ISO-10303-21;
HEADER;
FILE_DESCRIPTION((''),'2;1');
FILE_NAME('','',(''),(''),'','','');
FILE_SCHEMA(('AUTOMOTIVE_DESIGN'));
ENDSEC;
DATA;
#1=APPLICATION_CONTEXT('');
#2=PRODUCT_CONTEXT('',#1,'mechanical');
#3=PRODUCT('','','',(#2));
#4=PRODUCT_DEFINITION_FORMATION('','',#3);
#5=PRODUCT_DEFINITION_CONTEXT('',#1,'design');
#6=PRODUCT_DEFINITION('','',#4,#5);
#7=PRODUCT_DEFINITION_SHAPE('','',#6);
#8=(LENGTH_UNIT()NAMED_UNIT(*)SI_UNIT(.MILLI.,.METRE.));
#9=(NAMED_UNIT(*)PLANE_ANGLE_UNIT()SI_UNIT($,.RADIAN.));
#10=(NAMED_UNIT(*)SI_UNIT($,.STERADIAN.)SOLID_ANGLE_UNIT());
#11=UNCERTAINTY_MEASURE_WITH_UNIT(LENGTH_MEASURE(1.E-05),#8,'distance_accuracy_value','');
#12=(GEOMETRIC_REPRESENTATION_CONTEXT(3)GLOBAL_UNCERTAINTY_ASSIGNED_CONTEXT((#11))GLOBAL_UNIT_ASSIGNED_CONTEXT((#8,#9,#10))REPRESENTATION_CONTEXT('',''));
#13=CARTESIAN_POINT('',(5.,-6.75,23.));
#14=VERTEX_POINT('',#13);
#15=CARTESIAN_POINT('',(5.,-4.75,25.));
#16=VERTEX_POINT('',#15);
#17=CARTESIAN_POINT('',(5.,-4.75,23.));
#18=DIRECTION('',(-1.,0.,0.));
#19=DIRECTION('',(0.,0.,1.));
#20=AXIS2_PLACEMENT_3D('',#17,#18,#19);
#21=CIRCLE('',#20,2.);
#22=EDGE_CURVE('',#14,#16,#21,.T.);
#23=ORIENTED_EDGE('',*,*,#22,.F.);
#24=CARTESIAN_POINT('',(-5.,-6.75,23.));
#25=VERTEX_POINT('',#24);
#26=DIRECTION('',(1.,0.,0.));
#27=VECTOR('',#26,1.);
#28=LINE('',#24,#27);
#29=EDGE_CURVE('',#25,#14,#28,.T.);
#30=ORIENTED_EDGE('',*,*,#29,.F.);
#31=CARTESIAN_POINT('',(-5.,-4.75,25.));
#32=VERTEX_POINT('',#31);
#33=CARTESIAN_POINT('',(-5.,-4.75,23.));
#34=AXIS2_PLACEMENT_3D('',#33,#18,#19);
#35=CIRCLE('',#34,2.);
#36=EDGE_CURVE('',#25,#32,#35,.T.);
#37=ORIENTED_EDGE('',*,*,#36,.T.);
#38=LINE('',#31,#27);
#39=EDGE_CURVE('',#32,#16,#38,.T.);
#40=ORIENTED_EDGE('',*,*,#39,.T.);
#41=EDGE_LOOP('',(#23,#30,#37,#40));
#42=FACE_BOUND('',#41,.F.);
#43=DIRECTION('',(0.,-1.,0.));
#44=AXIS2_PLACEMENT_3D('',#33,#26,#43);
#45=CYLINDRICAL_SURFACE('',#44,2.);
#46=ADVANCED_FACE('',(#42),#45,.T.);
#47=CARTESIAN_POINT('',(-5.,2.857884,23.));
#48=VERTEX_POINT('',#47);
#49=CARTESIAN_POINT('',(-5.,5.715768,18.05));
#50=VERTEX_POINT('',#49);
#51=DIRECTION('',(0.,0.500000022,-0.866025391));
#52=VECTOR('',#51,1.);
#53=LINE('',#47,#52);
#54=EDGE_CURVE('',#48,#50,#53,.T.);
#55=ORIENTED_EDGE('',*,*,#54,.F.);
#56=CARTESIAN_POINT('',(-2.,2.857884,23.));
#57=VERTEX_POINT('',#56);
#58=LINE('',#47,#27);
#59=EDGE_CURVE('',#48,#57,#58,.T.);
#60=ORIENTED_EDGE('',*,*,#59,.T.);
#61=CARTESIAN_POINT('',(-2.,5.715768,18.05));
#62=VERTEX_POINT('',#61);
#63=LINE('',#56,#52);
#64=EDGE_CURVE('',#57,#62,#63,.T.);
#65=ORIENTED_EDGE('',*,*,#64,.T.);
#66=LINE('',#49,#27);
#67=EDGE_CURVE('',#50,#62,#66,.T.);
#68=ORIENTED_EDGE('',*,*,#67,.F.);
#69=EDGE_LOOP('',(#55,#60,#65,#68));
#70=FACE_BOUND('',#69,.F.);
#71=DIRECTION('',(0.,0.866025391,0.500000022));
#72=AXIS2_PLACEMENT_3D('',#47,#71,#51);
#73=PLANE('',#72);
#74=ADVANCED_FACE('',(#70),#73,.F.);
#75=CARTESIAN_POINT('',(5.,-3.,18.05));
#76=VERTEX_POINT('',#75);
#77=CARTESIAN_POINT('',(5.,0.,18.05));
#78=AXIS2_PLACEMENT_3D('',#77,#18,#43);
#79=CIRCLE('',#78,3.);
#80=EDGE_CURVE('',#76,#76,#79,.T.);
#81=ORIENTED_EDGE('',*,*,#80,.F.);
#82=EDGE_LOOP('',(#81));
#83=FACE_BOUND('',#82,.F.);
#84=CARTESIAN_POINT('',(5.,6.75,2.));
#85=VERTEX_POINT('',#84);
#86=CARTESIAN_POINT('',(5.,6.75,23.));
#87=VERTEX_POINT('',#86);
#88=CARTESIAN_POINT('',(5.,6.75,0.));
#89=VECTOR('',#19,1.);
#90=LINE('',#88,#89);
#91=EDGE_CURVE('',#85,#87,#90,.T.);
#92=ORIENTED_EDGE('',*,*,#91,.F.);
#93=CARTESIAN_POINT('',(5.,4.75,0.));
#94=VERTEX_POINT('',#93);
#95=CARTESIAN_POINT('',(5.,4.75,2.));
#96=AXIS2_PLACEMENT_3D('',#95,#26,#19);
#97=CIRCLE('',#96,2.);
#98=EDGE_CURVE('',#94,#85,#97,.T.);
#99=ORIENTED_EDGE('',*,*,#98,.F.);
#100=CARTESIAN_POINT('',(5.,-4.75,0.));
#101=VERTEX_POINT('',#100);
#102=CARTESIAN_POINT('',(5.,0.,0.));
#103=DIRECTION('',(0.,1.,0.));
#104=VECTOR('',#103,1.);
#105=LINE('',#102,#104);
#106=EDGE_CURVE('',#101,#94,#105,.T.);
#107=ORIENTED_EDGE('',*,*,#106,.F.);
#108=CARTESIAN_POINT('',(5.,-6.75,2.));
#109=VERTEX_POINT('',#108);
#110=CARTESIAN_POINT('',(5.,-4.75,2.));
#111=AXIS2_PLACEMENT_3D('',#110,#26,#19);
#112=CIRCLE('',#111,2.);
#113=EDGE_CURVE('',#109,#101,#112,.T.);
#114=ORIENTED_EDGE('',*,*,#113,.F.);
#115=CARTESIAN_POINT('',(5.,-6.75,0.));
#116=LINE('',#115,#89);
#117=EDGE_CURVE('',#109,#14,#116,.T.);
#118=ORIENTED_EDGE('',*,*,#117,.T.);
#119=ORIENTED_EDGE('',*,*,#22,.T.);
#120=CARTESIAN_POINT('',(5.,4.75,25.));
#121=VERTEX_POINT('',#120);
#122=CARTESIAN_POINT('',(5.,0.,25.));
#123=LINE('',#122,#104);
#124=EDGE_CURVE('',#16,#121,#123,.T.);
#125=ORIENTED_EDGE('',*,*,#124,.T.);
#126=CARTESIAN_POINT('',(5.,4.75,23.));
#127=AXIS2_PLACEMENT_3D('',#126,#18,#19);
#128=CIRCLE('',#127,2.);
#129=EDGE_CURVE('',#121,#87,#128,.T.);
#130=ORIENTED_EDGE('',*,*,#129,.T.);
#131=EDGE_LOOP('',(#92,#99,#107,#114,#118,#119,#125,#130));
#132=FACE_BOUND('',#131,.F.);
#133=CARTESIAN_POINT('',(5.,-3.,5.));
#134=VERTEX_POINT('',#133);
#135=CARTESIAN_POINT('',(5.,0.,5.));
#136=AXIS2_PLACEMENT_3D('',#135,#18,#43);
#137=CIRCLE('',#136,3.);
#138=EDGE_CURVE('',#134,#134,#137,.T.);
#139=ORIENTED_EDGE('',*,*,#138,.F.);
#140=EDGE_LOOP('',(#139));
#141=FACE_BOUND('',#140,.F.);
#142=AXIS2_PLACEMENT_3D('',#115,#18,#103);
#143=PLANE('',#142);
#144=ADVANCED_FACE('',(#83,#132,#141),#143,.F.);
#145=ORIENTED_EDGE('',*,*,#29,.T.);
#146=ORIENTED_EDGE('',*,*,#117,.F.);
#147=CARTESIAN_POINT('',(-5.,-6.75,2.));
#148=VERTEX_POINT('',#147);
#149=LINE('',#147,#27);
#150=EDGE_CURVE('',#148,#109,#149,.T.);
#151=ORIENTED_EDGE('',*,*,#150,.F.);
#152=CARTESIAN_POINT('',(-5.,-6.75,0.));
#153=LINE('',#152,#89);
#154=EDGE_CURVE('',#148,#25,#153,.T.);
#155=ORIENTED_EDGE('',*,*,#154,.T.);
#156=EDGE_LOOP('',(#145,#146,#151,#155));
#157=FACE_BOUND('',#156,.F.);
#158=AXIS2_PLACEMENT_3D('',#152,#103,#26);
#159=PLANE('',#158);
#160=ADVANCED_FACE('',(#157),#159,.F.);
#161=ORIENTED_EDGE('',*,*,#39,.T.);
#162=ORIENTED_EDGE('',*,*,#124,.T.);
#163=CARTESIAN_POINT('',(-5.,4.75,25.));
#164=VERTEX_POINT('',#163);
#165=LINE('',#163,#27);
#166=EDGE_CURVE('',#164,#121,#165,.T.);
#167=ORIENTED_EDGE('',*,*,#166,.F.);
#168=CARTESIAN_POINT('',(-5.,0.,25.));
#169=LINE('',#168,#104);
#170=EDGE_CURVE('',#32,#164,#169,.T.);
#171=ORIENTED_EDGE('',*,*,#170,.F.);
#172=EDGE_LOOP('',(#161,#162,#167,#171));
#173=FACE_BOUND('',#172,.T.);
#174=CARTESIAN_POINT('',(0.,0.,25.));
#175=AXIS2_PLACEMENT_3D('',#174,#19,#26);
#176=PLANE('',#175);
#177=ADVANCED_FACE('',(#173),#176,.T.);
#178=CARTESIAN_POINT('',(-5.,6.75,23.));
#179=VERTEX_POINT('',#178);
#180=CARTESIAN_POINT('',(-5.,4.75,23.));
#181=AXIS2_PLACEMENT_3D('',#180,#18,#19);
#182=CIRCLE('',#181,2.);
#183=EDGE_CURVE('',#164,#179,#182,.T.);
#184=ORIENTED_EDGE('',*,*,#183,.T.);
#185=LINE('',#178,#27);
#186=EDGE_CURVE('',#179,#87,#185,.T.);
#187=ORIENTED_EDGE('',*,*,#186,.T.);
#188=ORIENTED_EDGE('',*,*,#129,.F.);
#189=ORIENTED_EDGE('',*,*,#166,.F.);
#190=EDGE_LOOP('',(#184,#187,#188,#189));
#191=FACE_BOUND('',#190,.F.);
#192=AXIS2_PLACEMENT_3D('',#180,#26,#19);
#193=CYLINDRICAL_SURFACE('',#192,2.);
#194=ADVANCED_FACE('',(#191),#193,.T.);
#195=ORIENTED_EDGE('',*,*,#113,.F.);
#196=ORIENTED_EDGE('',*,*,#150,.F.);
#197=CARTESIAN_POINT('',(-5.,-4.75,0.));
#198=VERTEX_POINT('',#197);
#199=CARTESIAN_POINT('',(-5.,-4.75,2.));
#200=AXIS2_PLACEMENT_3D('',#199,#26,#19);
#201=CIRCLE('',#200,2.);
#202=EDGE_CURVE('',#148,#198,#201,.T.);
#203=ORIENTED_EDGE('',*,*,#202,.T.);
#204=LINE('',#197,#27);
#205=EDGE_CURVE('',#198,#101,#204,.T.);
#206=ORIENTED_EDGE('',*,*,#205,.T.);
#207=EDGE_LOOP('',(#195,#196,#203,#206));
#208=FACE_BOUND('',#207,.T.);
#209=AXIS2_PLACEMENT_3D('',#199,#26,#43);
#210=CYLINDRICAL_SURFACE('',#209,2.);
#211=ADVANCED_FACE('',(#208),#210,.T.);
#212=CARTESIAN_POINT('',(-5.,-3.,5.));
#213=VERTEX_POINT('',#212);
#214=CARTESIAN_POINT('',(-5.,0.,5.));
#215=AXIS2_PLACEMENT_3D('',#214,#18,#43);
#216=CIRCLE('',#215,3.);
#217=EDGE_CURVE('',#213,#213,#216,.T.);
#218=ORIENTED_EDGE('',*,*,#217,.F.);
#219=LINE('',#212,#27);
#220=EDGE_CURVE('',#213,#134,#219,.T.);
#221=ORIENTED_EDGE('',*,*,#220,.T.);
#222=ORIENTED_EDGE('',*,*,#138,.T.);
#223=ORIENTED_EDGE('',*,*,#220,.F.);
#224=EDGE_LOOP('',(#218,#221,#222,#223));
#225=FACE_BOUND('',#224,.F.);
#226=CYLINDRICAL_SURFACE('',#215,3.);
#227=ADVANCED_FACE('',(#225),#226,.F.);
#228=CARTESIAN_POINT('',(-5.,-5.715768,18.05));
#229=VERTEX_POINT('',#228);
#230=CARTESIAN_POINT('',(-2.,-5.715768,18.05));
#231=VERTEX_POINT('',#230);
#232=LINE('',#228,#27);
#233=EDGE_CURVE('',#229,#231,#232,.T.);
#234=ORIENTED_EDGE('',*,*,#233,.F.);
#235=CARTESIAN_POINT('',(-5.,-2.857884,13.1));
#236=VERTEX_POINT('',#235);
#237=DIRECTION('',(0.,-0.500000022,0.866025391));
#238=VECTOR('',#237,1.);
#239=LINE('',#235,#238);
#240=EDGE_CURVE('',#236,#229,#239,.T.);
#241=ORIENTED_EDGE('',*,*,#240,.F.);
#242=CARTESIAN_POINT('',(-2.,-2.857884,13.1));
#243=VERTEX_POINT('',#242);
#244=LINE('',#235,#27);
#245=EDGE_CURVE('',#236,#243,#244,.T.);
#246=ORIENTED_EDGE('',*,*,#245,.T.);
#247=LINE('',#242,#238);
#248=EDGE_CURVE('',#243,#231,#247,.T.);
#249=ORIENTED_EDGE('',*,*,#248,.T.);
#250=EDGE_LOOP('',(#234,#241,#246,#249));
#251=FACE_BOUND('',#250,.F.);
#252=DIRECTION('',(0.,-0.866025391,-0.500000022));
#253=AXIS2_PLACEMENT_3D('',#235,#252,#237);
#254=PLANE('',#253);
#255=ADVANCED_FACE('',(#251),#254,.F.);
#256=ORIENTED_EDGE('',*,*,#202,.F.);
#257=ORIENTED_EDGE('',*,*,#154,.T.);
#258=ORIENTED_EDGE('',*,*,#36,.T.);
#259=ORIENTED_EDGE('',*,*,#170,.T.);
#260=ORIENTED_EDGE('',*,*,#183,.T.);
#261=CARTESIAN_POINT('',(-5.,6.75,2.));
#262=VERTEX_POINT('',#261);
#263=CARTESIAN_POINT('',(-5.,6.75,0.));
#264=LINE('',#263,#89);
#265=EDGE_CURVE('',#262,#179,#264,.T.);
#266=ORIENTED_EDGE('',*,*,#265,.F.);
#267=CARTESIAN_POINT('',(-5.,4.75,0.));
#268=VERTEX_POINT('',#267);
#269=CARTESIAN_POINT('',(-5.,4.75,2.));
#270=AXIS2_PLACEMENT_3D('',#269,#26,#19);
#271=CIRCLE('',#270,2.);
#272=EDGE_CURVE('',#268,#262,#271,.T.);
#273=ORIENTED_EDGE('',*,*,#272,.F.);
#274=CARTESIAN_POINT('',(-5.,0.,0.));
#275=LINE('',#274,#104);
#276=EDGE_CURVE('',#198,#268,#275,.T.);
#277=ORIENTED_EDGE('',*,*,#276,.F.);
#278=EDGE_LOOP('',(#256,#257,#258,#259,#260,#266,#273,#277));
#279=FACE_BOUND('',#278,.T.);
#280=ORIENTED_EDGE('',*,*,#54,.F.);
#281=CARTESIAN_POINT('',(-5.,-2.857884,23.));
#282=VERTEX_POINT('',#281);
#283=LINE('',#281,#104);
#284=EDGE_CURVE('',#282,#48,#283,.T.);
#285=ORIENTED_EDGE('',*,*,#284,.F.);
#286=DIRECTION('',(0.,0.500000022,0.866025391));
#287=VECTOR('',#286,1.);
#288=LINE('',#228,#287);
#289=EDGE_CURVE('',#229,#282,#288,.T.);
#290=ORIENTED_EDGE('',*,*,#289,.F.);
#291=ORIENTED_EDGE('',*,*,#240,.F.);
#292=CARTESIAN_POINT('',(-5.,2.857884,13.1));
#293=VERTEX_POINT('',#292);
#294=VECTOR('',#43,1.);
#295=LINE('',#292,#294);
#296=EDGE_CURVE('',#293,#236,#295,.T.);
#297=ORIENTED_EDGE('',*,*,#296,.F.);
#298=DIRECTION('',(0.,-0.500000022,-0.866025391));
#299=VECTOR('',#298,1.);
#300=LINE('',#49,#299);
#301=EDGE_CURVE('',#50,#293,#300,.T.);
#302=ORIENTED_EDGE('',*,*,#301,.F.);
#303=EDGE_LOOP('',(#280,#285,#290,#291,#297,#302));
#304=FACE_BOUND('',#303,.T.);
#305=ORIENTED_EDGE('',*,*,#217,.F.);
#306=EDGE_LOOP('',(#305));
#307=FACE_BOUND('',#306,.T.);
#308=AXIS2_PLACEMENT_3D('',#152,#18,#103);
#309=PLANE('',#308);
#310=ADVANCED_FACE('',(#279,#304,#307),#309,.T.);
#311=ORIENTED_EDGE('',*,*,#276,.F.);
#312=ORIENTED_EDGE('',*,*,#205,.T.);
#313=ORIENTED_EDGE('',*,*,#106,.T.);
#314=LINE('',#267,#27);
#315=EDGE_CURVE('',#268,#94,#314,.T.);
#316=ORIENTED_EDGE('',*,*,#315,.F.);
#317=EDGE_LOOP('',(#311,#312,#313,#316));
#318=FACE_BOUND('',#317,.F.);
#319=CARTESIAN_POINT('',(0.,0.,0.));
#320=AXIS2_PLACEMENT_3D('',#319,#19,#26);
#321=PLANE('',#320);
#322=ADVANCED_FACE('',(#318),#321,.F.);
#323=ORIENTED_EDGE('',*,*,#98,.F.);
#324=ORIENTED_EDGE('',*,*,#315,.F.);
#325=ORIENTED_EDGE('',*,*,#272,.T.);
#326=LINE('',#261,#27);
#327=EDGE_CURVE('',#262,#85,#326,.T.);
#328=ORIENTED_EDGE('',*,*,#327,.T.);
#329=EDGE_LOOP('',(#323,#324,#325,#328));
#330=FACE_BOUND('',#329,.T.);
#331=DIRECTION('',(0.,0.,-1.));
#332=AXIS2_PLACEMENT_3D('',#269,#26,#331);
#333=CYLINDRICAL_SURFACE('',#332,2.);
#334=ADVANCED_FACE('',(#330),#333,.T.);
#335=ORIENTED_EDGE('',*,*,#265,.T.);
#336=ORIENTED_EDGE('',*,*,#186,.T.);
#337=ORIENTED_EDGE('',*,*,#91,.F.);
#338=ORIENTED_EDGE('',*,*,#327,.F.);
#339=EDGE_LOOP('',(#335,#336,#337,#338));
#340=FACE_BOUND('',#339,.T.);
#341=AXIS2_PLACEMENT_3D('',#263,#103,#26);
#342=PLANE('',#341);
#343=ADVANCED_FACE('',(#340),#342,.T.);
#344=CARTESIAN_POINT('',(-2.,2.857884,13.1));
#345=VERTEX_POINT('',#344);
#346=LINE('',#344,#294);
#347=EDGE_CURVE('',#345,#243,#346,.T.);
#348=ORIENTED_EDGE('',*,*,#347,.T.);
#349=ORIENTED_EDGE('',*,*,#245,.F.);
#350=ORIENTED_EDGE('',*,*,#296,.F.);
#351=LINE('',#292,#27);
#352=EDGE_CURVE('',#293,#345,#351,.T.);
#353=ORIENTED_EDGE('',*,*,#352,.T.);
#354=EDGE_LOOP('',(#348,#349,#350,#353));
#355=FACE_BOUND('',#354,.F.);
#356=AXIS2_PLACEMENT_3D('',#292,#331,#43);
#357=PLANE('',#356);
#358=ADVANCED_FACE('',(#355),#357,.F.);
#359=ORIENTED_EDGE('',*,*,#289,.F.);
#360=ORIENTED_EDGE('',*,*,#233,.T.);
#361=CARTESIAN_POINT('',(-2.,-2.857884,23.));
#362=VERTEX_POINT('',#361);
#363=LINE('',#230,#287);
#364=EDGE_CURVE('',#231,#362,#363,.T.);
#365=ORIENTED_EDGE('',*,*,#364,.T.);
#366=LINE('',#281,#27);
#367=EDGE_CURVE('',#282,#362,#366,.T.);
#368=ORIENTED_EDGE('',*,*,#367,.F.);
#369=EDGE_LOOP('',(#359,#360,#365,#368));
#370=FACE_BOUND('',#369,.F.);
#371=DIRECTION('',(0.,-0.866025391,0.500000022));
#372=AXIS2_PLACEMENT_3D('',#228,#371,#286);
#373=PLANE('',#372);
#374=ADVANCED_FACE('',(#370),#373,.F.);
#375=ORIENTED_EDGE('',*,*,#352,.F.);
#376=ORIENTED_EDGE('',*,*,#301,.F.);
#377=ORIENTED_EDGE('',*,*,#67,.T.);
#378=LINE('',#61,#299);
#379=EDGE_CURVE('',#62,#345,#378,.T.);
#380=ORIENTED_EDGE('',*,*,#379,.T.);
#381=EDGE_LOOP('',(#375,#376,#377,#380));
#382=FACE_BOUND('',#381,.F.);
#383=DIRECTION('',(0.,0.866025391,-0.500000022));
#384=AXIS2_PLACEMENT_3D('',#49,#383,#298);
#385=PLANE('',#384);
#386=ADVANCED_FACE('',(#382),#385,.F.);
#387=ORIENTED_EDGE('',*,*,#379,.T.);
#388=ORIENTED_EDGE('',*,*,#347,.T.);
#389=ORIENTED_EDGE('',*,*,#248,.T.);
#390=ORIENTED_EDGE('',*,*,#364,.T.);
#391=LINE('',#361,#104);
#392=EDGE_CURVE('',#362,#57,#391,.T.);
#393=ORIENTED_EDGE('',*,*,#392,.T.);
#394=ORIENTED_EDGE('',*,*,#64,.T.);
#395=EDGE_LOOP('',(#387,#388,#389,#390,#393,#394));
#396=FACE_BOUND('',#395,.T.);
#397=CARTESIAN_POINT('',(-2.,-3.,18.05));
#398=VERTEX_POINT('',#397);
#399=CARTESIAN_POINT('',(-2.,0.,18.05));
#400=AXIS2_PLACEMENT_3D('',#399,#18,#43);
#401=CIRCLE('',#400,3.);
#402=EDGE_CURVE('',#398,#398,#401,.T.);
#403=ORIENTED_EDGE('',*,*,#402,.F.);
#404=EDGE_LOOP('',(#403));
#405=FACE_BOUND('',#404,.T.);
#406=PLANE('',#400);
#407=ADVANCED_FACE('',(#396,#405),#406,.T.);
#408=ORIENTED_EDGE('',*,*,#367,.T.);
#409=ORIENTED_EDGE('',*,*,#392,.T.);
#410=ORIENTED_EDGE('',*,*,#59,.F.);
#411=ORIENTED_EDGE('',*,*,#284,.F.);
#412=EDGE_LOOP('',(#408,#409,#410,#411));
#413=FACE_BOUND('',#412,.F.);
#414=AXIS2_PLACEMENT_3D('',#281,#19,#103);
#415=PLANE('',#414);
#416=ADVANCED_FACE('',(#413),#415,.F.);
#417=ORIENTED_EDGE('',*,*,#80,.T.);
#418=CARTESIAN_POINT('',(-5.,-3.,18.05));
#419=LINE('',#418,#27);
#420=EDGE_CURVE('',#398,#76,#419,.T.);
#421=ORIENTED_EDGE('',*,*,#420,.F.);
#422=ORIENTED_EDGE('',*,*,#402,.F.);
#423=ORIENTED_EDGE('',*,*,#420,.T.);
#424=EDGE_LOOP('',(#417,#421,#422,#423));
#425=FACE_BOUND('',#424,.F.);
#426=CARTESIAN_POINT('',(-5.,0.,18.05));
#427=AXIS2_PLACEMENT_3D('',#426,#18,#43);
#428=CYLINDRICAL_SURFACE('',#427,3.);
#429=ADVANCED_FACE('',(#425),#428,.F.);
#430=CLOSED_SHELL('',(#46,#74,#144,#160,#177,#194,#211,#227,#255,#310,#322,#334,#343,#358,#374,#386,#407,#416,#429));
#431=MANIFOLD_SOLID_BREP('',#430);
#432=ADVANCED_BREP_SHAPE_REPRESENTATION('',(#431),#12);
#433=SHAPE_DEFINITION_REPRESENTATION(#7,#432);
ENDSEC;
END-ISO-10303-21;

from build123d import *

# Parameters (mm, degrees)
F0_W     = 10
F0_H     = 13.5
F1_DEPTH = 25
F2_R     = 3
F3_DEPTH = 3
F4_DEPTH = 25
F5_R     = 2


with BuildPart() as f1:
    # F0 (on Top) → F1 (new body)
    with BuildSketch(Plane.XY):
        Rectangle(F0_W, F0_H)
    extrude(amount=F1_DEPTH)

    # F2 (on face) → F3 (cut)
    with BuildSketch(Plane(origin=(-5, 0, 0), x_dir=(0, -1, 0), z_dir=(-1, 0, 0))):
        Polygon((2.857884, 23), (-2.857884, 23), (-5.715768, 18.05), (-2.857884, 13.1), (2.857884, 13.1), (5.715768, 18.05), align=None)
        with Locations((0, 18.05)):
            Circle(F2_R, mode=Mode.SUBTRACT)
    extrude(amount=-F3_DEPTH, mode=Mode.SUBTRACT)

    # F2 (on face) → F4 (cut)
    with BuildSketch(Plane(origin=(-5, 0, 0), x_dir=(0, -1, 0), z_dir=(-1, 0, 0))):
        with Locations((0, 5)):
            Circle(F2_R)
        with Locations((0, 18.05)):
            Circle(F2_R)
    extrude(amount=-F4_DEPTH, mode=Mode.SUBTRACT)

    # F5
    f5_edges = [f1.edges().sort_by_distance(p)[0] for p in [
        (0, -6.75, 25),
        (0, 6.75, 25),
        (0, -6.75, 0),
        (0, 6.75, 0),
    ]]
    fillet(f5_edges, radius=F5_R)


solid = f1.part
